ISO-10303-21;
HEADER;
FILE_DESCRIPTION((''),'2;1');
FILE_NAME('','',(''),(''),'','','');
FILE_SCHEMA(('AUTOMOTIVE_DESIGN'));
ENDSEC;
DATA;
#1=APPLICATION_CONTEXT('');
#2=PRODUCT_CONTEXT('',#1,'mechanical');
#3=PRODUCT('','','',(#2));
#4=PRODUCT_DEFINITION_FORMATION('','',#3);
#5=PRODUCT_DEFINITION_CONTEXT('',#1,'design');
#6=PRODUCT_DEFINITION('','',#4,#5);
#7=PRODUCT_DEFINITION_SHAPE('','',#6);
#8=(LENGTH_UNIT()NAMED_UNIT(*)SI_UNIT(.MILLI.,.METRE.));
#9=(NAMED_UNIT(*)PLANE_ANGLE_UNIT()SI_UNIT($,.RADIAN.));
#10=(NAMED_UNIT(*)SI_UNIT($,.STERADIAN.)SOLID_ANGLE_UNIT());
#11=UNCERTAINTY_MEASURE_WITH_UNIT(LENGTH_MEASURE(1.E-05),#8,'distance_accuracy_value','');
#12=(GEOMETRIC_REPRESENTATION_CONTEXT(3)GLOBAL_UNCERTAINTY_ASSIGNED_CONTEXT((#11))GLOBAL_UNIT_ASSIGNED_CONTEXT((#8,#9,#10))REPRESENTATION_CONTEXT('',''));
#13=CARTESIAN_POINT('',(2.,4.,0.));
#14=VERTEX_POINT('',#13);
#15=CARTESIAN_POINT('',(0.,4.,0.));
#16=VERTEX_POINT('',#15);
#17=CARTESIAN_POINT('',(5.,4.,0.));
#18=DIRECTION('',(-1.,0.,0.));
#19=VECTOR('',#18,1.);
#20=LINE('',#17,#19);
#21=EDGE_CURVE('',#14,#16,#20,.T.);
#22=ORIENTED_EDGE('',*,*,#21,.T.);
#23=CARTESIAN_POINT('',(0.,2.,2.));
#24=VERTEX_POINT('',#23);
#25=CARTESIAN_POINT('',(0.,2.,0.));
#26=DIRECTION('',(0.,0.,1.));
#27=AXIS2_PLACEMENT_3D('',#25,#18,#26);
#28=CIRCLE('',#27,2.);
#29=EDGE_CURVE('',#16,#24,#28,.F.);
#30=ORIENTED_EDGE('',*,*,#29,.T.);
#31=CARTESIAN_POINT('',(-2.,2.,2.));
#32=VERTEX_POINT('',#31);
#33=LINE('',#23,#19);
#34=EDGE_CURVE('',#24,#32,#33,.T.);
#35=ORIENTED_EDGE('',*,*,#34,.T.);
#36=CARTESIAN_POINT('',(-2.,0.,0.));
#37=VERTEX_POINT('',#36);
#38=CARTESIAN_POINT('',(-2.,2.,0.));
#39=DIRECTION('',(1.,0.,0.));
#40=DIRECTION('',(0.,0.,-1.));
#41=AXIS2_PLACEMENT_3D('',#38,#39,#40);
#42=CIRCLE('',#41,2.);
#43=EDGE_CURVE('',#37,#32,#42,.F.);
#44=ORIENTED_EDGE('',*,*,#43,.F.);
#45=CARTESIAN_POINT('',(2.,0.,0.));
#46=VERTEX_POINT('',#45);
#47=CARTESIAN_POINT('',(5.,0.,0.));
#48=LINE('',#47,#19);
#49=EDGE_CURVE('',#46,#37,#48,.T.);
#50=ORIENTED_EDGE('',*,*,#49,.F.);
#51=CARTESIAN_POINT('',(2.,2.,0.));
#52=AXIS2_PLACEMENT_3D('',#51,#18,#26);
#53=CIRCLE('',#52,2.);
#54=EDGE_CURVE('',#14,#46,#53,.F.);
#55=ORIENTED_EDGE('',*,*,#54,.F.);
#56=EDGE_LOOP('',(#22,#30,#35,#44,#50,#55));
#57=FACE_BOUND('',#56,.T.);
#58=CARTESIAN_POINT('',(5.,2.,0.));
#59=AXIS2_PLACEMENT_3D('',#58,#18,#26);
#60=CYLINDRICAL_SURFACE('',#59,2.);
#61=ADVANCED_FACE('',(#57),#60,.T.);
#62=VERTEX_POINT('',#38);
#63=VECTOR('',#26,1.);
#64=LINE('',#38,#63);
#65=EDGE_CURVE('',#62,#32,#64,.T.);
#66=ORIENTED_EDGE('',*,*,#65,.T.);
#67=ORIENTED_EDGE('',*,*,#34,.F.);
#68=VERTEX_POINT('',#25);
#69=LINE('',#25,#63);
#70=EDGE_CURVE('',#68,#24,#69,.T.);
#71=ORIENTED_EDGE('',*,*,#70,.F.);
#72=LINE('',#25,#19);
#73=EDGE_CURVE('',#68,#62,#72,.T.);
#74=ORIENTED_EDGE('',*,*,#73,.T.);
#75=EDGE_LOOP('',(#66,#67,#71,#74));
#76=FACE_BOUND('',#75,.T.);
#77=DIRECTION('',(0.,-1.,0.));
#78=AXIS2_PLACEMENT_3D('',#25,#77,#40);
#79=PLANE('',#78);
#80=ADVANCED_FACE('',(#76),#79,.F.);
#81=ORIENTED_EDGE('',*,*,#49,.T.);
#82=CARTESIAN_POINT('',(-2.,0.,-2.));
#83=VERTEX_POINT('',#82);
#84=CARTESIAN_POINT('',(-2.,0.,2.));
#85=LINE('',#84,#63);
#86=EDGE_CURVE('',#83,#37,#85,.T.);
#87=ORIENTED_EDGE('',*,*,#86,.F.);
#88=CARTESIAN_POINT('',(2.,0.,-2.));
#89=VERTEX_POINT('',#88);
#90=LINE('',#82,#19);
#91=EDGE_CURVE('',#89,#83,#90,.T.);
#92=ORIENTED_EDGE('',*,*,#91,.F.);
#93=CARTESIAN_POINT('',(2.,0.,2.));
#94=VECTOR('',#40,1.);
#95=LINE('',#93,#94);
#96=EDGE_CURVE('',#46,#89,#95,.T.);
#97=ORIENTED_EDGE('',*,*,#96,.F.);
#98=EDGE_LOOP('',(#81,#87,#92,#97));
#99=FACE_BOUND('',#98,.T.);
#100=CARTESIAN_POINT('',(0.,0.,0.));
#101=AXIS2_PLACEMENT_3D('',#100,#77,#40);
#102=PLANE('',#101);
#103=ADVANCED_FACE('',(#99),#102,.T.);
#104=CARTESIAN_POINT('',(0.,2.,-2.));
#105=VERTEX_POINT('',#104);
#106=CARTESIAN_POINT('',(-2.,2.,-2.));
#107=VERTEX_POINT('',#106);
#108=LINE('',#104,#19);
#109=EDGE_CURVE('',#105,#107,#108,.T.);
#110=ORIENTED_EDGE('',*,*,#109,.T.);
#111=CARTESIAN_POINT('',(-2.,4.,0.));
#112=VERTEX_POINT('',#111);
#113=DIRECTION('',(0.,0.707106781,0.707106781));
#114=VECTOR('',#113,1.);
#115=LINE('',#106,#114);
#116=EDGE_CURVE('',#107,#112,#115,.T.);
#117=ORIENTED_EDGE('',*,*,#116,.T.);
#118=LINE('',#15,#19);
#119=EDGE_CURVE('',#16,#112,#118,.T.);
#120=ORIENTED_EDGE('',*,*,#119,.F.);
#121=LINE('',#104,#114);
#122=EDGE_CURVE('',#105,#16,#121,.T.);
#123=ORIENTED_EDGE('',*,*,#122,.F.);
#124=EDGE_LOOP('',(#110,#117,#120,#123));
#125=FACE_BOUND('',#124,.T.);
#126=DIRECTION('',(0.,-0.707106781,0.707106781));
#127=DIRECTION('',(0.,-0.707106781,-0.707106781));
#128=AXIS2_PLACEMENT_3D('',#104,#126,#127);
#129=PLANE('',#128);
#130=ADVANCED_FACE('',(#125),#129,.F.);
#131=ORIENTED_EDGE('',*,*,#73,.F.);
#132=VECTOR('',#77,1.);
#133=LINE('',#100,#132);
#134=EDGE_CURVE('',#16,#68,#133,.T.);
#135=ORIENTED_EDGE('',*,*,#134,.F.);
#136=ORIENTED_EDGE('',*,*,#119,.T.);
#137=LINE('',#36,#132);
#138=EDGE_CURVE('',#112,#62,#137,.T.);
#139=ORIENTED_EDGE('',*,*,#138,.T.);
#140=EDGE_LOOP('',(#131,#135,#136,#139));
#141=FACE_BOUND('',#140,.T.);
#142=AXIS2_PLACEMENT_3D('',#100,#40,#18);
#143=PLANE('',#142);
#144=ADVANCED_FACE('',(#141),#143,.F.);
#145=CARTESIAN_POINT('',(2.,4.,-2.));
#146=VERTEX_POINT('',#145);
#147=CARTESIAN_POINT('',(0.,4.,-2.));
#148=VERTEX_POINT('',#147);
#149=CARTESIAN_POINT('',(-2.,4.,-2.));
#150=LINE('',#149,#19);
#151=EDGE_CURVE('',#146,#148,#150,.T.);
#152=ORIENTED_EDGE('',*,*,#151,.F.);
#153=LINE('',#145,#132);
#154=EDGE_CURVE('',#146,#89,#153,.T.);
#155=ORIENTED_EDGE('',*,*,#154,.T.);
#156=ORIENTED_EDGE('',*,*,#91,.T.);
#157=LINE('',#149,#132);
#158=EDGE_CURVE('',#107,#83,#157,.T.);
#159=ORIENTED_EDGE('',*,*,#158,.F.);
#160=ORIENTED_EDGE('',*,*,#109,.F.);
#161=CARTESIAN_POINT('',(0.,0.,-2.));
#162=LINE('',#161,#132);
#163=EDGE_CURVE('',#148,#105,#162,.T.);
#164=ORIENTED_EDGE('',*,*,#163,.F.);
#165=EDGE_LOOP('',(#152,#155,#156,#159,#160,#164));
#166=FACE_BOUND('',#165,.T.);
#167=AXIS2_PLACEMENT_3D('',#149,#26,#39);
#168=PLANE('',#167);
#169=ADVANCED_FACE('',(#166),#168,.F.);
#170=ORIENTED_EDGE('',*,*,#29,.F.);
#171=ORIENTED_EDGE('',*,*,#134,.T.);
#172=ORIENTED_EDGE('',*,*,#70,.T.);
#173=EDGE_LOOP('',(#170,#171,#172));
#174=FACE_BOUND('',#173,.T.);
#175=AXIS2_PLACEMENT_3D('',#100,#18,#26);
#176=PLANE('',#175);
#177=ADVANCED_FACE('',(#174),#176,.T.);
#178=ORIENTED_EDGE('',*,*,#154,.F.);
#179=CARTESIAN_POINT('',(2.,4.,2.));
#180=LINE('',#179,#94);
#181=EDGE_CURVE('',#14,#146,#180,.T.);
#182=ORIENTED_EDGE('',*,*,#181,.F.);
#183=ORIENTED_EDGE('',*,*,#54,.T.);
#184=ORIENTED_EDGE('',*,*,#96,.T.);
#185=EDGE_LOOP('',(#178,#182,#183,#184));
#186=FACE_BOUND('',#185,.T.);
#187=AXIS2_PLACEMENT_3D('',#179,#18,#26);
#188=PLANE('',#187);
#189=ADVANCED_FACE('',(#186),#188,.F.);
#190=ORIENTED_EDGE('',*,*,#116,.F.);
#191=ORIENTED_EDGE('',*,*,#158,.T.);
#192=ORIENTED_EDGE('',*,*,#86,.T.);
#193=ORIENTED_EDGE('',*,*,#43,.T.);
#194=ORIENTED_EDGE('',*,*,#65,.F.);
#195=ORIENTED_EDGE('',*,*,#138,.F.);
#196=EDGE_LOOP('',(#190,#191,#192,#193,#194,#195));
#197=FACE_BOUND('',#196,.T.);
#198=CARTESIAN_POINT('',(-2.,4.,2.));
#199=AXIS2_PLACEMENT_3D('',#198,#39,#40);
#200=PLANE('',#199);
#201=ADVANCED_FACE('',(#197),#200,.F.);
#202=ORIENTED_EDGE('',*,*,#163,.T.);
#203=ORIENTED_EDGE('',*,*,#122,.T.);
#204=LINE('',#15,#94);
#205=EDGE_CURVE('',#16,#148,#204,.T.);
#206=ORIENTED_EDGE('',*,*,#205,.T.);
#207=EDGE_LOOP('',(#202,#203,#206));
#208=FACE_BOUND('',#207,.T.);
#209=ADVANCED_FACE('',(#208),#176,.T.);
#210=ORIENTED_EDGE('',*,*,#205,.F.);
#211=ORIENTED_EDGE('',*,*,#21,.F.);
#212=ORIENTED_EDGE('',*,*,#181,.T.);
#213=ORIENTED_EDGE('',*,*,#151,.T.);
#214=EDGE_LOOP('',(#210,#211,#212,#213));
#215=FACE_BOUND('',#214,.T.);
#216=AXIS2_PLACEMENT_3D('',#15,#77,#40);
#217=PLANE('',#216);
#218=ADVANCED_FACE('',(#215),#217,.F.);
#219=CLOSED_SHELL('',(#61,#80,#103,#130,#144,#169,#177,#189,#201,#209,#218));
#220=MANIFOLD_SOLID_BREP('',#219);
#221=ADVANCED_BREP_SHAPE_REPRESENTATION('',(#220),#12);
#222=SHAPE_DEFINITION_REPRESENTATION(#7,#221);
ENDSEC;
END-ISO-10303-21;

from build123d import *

# Parameters (mm, degrees)
SKETCH1_W           = 4
SKETCH1_H           = 4
BOSS_EXTRUDE1_DEPTH = 4
SKETCH2_W           = 2
SKETCH2_H           = 2
CUT_EXTRUDE1_DEPTH  = 2
CUT_EXTRUDE2_DEPTH  = 5


with BuildPart() as part:
    # Sketch1 → Boss-Extrude1 (new body)
    with BuildSketch(Plane(origin=(0, 0, 0), x_dir=(1, 0, 0), z_dir=(0, 1, 0))):
        Rectangle(SKETCH1_W, SKETCH1_H)
    extrude(amount=BOSS_EXTRUDE1_DEPTH)

    # Sketch2 → Cut-Extrude1 (cut)
    with BuildSketch(Plane.ZY.offset(2)):
        Polygon((-2, 4), (-2, 2), (0, 4), align=None)
        with Locations((1, 3)):
            Rectangle(SKETCH2_W, SKETCH2_H)
    extrude(amount=-CUT_EXTRUDE1_DEPTH, mode=Mode.SUBTRACT)

    # Sketch3 → Cut-Extrude2 (cut, symmetric)
    with BuildSketch(Plane.ZY):
        with BuildLine():
            ThreePointArc((0, 4), (1.414213562, 3.414213562), (2, 2))
            Line((2, 2), (2, 4))
            Line((2, 4), (0, 4))
        make_face()
        with BuildLine():
            Line((2, 0), (2, 2))
            ThreePointArc((2, 2), (1.414213562, 0.585786438), (0, 0))
            Line((0, 0), (2, 0))
        make_face()
    extrude(amount=CUT_EXTRUDE2_DEPTH, both=True, mode=Mode.SUBTRACT)


solid = part.part
